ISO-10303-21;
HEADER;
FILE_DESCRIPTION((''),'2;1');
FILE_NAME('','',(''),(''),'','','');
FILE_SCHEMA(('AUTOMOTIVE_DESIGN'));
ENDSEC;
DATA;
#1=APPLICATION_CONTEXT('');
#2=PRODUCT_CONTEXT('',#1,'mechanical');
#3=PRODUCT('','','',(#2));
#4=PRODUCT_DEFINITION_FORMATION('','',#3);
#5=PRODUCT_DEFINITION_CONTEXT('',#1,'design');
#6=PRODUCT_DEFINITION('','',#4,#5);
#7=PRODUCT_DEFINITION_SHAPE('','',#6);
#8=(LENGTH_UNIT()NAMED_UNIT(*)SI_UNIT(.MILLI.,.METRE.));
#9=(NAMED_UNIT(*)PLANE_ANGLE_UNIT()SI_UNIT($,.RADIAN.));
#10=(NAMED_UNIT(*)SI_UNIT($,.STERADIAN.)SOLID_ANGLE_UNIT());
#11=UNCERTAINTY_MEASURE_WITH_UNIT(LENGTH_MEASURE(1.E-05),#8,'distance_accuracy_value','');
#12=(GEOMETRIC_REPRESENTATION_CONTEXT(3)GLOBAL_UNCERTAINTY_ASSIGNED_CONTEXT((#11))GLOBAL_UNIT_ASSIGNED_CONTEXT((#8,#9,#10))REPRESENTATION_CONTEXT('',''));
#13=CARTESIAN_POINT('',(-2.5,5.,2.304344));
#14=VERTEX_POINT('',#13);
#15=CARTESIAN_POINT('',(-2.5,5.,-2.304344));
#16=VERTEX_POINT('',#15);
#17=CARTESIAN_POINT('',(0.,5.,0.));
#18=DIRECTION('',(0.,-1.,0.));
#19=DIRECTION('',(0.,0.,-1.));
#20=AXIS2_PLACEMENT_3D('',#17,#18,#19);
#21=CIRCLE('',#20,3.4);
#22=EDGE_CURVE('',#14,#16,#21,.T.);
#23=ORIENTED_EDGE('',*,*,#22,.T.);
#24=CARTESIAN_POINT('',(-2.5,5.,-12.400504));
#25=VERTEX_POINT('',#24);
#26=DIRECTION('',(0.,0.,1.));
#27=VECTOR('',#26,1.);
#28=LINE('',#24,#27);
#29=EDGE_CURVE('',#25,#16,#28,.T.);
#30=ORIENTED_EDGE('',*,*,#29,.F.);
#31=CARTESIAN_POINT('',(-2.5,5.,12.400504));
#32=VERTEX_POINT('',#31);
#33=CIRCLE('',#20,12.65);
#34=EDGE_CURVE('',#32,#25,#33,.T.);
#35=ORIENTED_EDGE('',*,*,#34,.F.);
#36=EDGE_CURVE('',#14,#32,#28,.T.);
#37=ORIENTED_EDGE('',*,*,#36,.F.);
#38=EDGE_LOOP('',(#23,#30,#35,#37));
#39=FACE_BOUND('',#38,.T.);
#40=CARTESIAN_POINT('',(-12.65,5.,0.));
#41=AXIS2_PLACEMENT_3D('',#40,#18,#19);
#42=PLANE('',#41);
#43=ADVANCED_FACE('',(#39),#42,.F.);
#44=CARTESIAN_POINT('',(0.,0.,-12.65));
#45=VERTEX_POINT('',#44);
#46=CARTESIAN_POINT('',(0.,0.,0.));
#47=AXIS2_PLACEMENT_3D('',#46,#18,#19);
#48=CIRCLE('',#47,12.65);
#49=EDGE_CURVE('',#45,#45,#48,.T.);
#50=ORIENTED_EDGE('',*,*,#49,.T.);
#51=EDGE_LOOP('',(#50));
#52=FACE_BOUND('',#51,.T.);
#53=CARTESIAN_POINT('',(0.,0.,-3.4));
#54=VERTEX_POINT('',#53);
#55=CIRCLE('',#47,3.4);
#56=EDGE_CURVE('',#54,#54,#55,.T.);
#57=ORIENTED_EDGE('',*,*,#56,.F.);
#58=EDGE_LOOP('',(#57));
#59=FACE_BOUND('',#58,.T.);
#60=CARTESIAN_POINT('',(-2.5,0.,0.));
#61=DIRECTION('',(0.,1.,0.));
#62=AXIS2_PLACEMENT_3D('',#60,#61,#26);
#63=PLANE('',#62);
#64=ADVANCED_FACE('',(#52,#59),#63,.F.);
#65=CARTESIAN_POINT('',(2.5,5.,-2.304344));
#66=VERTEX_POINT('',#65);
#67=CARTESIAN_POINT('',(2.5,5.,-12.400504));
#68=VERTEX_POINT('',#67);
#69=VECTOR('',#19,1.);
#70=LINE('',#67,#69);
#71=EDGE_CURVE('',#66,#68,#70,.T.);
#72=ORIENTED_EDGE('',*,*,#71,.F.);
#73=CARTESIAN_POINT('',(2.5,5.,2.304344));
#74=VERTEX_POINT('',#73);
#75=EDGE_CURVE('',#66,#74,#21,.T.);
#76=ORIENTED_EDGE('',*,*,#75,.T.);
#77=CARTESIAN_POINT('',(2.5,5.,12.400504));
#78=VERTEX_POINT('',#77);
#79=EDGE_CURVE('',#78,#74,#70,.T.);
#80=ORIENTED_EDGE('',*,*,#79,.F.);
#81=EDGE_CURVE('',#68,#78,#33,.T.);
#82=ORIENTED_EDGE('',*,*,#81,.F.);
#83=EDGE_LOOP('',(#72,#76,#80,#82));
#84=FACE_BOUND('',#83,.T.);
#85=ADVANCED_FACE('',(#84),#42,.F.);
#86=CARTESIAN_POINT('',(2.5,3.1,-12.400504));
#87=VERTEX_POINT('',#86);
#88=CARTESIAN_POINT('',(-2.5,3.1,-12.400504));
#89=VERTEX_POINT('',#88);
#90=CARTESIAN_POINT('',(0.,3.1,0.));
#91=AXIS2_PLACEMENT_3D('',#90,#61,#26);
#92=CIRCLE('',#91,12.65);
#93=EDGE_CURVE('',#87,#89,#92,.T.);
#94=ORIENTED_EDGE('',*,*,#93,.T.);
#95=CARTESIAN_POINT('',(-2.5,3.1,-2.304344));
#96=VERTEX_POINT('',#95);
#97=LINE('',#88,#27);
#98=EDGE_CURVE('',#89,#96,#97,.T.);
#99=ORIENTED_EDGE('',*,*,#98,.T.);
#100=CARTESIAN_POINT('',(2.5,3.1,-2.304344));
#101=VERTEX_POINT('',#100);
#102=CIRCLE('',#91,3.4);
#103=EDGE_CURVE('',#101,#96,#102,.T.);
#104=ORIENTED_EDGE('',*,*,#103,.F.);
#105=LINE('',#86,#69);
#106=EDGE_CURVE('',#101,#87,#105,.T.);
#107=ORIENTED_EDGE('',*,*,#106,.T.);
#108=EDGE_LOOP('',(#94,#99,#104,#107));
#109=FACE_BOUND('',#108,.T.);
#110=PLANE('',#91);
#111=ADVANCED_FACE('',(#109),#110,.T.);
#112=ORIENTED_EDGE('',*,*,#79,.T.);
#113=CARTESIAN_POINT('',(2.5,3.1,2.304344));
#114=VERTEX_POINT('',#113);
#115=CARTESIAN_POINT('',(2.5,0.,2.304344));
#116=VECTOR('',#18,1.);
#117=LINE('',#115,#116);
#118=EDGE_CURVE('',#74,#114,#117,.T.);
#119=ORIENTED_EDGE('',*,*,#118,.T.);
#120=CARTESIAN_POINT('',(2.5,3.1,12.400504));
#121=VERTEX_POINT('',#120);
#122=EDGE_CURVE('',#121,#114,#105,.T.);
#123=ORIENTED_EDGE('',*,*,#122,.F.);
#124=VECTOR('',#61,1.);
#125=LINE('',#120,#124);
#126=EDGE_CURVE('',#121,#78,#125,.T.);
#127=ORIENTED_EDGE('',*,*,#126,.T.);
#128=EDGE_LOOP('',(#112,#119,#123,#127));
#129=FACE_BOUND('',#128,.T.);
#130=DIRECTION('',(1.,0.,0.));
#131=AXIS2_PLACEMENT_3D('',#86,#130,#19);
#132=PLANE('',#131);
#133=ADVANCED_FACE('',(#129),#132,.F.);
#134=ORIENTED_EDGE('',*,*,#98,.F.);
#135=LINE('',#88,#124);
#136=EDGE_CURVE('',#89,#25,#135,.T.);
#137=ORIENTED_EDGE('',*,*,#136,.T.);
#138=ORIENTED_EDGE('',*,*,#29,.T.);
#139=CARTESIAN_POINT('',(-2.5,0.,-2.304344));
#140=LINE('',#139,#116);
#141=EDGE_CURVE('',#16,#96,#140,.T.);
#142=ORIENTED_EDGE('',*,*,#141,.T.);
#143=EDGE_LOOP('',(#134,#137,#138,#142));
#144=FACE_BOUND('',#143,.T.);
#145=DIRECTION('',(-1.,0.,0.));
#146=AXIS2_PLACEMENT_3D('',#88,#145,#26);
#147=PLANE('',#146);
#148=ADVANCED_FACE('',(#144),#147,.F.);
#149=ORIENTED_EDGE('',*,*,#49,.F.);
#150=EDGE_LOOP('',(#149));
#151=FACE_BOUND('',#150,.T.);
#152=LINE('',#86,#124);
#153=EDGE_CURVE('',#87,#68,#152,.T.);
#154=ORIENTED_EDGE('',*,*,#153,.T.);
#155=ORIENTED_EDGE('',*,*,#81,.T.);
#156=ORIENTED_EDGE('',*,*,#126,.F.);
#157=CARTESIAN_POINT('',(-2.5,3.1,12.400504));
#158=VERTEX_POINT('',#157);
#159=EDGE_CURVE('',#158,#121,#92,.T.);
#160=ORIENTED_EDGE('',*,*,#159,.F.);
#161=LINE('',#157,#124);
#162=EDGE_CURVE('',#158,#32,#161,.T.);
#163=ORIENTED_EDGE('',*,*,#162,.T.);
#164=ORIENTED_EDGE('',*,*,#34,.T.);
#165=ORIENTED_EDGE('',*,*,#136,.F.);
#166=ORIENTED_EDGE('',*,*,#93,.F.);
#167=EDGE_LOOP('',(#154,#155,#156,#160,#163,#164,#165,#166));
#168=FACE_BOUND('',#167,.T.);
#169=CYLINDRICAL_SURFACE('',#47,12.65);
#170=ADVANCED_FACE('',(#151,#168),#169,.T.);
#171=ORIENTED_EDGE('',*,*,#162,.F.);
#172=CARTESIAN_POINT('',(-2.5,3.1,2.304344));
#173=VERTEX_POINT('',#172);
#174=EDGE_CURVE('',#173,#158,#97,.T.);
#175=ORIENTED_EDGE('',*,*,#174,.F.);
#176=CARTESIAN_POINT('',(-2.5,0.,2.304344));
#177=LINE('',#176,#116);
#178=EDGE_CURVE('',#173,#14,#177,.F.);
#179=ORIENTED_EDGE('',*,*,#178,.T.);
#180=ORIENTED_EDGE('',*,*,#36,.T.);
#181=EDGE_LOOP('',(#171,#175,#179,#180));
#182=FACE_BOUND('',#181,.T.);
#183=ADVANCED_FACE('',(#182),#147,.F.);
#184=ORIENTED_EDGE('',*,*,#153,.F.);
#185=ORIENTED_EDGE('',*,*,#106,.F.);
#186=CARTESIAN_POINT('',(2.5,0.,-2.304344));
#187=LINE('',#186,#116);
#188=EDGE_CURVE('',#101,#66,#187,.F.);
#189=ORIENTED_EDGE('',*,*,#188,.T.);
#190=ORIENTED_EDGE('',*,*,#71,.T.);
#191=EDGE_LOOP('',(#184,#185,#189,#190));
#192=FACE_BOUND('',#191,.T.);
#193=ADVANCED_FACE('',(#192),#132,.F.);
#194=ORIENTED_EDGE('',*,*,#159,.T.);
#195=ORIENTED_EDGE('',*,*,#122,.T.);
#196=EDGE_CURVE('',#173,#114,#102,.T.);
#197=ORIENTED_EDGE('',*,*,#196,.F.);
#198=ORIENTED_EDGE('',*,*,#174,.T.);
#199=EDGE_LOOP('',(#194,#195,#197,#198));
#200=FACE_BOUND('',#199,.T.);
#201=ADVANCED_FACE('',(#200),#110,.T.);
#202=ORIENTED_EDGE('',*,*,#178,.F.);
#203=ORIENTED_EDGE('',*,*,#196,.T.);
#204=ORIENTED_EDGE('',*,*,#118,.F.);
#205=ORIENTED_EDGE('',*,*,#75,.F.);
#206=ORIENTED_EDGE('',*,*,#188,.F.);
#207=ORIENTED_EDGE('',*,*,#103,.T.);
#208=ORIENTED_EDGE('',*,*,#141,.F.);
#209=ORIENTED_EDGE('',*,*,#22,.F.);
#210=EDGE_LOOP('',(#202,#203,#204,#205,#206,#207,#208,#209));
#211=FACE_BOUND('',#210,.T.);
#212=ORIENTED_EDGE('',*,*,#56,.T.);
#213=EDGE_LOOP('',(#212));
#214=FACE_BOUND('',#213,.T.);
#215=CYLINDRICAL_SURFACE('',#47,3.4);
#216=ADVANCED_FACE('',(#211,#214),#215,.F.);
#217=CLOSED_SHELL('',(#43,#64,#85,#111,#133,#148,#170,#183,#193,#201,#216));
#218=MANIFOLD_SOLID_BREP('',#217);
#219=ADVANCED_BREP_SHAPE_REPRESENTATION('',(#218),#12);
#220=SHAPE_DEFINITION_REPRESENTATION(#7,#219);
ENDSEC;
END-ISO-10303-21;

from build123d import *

# Parameters (mm, degrees)
ESQUISSE1_W             = 10.15
ESQUISSE1_H             = 5
ENL_V_MAT_EXTRU_1_DEPTH = 1.9
TROU_TARAUD_M81_D       = 6.8
TROU_TARAUD_M81_DEPTH   = 22.25
TROU_TARAUD_M81_TIP     = 2.042926105


with BuildPart() as part:
    # Esquisse1 → Révolution1 (revolve)
    with BuildSketch(Plane.XY, mode=Mode.PRIVATE) as r_volution1_sk:
        with Locations((-7.575, 2.5)):
            Rectangle(ESQUISSE1_W, ESQUISSE1_H)
    revolve(r_volution1_sk.sketch.rotate(Axis((0, 0, 0), (0, 1, 0)), 270), axis=Axis((0, 0, 0), (0, 1, 0)))

    # Esquisse2 → Enlèv. mat.-Extru.1 (cut)
    with BuildSketch(Plane(origin=(0, 5, 0), x_dir=(1, 0, 0), z_dir=(0, 1, 0))):
        with BuildLine():
            Line((-2.5, 12.400504022), (-2.5, -12.400504022))
            ThreePointArc((-2.5, -12.400504022), (0, -12.65), (2.5, -12.400504022))
            Line((2.5, -12.400504022), (2.5, 12.400504022))
            ThreePointArc((2.5, 12.400504022), (0, 12.65), (-2.5, 12.400504022))
        make_face()
    extrude(amount=-ENL_V_MAT_EXTRU_1_DEPTH, mode=Mode.SUBTRACT)

    # Trou taraudé M81
    with Locations(Plane.XZ):
        with Locations((0, 0)):
            Hole(TROU_TARAUD_M81_D / 2, depth=TROU_TARAUD_M81_DEPTH)
            with Locations((0, 0, -(TROU_TARAUD_M81_DEPTH + TROU_TARAUD_M81_TIP / 2))):  # 118° drill point
                Cone(0, TROU_TARAUD_M81_D / 2, TROU_TARAUD_M81_TIP, mode=Mode.SUBTRACT)


solid = part.part
